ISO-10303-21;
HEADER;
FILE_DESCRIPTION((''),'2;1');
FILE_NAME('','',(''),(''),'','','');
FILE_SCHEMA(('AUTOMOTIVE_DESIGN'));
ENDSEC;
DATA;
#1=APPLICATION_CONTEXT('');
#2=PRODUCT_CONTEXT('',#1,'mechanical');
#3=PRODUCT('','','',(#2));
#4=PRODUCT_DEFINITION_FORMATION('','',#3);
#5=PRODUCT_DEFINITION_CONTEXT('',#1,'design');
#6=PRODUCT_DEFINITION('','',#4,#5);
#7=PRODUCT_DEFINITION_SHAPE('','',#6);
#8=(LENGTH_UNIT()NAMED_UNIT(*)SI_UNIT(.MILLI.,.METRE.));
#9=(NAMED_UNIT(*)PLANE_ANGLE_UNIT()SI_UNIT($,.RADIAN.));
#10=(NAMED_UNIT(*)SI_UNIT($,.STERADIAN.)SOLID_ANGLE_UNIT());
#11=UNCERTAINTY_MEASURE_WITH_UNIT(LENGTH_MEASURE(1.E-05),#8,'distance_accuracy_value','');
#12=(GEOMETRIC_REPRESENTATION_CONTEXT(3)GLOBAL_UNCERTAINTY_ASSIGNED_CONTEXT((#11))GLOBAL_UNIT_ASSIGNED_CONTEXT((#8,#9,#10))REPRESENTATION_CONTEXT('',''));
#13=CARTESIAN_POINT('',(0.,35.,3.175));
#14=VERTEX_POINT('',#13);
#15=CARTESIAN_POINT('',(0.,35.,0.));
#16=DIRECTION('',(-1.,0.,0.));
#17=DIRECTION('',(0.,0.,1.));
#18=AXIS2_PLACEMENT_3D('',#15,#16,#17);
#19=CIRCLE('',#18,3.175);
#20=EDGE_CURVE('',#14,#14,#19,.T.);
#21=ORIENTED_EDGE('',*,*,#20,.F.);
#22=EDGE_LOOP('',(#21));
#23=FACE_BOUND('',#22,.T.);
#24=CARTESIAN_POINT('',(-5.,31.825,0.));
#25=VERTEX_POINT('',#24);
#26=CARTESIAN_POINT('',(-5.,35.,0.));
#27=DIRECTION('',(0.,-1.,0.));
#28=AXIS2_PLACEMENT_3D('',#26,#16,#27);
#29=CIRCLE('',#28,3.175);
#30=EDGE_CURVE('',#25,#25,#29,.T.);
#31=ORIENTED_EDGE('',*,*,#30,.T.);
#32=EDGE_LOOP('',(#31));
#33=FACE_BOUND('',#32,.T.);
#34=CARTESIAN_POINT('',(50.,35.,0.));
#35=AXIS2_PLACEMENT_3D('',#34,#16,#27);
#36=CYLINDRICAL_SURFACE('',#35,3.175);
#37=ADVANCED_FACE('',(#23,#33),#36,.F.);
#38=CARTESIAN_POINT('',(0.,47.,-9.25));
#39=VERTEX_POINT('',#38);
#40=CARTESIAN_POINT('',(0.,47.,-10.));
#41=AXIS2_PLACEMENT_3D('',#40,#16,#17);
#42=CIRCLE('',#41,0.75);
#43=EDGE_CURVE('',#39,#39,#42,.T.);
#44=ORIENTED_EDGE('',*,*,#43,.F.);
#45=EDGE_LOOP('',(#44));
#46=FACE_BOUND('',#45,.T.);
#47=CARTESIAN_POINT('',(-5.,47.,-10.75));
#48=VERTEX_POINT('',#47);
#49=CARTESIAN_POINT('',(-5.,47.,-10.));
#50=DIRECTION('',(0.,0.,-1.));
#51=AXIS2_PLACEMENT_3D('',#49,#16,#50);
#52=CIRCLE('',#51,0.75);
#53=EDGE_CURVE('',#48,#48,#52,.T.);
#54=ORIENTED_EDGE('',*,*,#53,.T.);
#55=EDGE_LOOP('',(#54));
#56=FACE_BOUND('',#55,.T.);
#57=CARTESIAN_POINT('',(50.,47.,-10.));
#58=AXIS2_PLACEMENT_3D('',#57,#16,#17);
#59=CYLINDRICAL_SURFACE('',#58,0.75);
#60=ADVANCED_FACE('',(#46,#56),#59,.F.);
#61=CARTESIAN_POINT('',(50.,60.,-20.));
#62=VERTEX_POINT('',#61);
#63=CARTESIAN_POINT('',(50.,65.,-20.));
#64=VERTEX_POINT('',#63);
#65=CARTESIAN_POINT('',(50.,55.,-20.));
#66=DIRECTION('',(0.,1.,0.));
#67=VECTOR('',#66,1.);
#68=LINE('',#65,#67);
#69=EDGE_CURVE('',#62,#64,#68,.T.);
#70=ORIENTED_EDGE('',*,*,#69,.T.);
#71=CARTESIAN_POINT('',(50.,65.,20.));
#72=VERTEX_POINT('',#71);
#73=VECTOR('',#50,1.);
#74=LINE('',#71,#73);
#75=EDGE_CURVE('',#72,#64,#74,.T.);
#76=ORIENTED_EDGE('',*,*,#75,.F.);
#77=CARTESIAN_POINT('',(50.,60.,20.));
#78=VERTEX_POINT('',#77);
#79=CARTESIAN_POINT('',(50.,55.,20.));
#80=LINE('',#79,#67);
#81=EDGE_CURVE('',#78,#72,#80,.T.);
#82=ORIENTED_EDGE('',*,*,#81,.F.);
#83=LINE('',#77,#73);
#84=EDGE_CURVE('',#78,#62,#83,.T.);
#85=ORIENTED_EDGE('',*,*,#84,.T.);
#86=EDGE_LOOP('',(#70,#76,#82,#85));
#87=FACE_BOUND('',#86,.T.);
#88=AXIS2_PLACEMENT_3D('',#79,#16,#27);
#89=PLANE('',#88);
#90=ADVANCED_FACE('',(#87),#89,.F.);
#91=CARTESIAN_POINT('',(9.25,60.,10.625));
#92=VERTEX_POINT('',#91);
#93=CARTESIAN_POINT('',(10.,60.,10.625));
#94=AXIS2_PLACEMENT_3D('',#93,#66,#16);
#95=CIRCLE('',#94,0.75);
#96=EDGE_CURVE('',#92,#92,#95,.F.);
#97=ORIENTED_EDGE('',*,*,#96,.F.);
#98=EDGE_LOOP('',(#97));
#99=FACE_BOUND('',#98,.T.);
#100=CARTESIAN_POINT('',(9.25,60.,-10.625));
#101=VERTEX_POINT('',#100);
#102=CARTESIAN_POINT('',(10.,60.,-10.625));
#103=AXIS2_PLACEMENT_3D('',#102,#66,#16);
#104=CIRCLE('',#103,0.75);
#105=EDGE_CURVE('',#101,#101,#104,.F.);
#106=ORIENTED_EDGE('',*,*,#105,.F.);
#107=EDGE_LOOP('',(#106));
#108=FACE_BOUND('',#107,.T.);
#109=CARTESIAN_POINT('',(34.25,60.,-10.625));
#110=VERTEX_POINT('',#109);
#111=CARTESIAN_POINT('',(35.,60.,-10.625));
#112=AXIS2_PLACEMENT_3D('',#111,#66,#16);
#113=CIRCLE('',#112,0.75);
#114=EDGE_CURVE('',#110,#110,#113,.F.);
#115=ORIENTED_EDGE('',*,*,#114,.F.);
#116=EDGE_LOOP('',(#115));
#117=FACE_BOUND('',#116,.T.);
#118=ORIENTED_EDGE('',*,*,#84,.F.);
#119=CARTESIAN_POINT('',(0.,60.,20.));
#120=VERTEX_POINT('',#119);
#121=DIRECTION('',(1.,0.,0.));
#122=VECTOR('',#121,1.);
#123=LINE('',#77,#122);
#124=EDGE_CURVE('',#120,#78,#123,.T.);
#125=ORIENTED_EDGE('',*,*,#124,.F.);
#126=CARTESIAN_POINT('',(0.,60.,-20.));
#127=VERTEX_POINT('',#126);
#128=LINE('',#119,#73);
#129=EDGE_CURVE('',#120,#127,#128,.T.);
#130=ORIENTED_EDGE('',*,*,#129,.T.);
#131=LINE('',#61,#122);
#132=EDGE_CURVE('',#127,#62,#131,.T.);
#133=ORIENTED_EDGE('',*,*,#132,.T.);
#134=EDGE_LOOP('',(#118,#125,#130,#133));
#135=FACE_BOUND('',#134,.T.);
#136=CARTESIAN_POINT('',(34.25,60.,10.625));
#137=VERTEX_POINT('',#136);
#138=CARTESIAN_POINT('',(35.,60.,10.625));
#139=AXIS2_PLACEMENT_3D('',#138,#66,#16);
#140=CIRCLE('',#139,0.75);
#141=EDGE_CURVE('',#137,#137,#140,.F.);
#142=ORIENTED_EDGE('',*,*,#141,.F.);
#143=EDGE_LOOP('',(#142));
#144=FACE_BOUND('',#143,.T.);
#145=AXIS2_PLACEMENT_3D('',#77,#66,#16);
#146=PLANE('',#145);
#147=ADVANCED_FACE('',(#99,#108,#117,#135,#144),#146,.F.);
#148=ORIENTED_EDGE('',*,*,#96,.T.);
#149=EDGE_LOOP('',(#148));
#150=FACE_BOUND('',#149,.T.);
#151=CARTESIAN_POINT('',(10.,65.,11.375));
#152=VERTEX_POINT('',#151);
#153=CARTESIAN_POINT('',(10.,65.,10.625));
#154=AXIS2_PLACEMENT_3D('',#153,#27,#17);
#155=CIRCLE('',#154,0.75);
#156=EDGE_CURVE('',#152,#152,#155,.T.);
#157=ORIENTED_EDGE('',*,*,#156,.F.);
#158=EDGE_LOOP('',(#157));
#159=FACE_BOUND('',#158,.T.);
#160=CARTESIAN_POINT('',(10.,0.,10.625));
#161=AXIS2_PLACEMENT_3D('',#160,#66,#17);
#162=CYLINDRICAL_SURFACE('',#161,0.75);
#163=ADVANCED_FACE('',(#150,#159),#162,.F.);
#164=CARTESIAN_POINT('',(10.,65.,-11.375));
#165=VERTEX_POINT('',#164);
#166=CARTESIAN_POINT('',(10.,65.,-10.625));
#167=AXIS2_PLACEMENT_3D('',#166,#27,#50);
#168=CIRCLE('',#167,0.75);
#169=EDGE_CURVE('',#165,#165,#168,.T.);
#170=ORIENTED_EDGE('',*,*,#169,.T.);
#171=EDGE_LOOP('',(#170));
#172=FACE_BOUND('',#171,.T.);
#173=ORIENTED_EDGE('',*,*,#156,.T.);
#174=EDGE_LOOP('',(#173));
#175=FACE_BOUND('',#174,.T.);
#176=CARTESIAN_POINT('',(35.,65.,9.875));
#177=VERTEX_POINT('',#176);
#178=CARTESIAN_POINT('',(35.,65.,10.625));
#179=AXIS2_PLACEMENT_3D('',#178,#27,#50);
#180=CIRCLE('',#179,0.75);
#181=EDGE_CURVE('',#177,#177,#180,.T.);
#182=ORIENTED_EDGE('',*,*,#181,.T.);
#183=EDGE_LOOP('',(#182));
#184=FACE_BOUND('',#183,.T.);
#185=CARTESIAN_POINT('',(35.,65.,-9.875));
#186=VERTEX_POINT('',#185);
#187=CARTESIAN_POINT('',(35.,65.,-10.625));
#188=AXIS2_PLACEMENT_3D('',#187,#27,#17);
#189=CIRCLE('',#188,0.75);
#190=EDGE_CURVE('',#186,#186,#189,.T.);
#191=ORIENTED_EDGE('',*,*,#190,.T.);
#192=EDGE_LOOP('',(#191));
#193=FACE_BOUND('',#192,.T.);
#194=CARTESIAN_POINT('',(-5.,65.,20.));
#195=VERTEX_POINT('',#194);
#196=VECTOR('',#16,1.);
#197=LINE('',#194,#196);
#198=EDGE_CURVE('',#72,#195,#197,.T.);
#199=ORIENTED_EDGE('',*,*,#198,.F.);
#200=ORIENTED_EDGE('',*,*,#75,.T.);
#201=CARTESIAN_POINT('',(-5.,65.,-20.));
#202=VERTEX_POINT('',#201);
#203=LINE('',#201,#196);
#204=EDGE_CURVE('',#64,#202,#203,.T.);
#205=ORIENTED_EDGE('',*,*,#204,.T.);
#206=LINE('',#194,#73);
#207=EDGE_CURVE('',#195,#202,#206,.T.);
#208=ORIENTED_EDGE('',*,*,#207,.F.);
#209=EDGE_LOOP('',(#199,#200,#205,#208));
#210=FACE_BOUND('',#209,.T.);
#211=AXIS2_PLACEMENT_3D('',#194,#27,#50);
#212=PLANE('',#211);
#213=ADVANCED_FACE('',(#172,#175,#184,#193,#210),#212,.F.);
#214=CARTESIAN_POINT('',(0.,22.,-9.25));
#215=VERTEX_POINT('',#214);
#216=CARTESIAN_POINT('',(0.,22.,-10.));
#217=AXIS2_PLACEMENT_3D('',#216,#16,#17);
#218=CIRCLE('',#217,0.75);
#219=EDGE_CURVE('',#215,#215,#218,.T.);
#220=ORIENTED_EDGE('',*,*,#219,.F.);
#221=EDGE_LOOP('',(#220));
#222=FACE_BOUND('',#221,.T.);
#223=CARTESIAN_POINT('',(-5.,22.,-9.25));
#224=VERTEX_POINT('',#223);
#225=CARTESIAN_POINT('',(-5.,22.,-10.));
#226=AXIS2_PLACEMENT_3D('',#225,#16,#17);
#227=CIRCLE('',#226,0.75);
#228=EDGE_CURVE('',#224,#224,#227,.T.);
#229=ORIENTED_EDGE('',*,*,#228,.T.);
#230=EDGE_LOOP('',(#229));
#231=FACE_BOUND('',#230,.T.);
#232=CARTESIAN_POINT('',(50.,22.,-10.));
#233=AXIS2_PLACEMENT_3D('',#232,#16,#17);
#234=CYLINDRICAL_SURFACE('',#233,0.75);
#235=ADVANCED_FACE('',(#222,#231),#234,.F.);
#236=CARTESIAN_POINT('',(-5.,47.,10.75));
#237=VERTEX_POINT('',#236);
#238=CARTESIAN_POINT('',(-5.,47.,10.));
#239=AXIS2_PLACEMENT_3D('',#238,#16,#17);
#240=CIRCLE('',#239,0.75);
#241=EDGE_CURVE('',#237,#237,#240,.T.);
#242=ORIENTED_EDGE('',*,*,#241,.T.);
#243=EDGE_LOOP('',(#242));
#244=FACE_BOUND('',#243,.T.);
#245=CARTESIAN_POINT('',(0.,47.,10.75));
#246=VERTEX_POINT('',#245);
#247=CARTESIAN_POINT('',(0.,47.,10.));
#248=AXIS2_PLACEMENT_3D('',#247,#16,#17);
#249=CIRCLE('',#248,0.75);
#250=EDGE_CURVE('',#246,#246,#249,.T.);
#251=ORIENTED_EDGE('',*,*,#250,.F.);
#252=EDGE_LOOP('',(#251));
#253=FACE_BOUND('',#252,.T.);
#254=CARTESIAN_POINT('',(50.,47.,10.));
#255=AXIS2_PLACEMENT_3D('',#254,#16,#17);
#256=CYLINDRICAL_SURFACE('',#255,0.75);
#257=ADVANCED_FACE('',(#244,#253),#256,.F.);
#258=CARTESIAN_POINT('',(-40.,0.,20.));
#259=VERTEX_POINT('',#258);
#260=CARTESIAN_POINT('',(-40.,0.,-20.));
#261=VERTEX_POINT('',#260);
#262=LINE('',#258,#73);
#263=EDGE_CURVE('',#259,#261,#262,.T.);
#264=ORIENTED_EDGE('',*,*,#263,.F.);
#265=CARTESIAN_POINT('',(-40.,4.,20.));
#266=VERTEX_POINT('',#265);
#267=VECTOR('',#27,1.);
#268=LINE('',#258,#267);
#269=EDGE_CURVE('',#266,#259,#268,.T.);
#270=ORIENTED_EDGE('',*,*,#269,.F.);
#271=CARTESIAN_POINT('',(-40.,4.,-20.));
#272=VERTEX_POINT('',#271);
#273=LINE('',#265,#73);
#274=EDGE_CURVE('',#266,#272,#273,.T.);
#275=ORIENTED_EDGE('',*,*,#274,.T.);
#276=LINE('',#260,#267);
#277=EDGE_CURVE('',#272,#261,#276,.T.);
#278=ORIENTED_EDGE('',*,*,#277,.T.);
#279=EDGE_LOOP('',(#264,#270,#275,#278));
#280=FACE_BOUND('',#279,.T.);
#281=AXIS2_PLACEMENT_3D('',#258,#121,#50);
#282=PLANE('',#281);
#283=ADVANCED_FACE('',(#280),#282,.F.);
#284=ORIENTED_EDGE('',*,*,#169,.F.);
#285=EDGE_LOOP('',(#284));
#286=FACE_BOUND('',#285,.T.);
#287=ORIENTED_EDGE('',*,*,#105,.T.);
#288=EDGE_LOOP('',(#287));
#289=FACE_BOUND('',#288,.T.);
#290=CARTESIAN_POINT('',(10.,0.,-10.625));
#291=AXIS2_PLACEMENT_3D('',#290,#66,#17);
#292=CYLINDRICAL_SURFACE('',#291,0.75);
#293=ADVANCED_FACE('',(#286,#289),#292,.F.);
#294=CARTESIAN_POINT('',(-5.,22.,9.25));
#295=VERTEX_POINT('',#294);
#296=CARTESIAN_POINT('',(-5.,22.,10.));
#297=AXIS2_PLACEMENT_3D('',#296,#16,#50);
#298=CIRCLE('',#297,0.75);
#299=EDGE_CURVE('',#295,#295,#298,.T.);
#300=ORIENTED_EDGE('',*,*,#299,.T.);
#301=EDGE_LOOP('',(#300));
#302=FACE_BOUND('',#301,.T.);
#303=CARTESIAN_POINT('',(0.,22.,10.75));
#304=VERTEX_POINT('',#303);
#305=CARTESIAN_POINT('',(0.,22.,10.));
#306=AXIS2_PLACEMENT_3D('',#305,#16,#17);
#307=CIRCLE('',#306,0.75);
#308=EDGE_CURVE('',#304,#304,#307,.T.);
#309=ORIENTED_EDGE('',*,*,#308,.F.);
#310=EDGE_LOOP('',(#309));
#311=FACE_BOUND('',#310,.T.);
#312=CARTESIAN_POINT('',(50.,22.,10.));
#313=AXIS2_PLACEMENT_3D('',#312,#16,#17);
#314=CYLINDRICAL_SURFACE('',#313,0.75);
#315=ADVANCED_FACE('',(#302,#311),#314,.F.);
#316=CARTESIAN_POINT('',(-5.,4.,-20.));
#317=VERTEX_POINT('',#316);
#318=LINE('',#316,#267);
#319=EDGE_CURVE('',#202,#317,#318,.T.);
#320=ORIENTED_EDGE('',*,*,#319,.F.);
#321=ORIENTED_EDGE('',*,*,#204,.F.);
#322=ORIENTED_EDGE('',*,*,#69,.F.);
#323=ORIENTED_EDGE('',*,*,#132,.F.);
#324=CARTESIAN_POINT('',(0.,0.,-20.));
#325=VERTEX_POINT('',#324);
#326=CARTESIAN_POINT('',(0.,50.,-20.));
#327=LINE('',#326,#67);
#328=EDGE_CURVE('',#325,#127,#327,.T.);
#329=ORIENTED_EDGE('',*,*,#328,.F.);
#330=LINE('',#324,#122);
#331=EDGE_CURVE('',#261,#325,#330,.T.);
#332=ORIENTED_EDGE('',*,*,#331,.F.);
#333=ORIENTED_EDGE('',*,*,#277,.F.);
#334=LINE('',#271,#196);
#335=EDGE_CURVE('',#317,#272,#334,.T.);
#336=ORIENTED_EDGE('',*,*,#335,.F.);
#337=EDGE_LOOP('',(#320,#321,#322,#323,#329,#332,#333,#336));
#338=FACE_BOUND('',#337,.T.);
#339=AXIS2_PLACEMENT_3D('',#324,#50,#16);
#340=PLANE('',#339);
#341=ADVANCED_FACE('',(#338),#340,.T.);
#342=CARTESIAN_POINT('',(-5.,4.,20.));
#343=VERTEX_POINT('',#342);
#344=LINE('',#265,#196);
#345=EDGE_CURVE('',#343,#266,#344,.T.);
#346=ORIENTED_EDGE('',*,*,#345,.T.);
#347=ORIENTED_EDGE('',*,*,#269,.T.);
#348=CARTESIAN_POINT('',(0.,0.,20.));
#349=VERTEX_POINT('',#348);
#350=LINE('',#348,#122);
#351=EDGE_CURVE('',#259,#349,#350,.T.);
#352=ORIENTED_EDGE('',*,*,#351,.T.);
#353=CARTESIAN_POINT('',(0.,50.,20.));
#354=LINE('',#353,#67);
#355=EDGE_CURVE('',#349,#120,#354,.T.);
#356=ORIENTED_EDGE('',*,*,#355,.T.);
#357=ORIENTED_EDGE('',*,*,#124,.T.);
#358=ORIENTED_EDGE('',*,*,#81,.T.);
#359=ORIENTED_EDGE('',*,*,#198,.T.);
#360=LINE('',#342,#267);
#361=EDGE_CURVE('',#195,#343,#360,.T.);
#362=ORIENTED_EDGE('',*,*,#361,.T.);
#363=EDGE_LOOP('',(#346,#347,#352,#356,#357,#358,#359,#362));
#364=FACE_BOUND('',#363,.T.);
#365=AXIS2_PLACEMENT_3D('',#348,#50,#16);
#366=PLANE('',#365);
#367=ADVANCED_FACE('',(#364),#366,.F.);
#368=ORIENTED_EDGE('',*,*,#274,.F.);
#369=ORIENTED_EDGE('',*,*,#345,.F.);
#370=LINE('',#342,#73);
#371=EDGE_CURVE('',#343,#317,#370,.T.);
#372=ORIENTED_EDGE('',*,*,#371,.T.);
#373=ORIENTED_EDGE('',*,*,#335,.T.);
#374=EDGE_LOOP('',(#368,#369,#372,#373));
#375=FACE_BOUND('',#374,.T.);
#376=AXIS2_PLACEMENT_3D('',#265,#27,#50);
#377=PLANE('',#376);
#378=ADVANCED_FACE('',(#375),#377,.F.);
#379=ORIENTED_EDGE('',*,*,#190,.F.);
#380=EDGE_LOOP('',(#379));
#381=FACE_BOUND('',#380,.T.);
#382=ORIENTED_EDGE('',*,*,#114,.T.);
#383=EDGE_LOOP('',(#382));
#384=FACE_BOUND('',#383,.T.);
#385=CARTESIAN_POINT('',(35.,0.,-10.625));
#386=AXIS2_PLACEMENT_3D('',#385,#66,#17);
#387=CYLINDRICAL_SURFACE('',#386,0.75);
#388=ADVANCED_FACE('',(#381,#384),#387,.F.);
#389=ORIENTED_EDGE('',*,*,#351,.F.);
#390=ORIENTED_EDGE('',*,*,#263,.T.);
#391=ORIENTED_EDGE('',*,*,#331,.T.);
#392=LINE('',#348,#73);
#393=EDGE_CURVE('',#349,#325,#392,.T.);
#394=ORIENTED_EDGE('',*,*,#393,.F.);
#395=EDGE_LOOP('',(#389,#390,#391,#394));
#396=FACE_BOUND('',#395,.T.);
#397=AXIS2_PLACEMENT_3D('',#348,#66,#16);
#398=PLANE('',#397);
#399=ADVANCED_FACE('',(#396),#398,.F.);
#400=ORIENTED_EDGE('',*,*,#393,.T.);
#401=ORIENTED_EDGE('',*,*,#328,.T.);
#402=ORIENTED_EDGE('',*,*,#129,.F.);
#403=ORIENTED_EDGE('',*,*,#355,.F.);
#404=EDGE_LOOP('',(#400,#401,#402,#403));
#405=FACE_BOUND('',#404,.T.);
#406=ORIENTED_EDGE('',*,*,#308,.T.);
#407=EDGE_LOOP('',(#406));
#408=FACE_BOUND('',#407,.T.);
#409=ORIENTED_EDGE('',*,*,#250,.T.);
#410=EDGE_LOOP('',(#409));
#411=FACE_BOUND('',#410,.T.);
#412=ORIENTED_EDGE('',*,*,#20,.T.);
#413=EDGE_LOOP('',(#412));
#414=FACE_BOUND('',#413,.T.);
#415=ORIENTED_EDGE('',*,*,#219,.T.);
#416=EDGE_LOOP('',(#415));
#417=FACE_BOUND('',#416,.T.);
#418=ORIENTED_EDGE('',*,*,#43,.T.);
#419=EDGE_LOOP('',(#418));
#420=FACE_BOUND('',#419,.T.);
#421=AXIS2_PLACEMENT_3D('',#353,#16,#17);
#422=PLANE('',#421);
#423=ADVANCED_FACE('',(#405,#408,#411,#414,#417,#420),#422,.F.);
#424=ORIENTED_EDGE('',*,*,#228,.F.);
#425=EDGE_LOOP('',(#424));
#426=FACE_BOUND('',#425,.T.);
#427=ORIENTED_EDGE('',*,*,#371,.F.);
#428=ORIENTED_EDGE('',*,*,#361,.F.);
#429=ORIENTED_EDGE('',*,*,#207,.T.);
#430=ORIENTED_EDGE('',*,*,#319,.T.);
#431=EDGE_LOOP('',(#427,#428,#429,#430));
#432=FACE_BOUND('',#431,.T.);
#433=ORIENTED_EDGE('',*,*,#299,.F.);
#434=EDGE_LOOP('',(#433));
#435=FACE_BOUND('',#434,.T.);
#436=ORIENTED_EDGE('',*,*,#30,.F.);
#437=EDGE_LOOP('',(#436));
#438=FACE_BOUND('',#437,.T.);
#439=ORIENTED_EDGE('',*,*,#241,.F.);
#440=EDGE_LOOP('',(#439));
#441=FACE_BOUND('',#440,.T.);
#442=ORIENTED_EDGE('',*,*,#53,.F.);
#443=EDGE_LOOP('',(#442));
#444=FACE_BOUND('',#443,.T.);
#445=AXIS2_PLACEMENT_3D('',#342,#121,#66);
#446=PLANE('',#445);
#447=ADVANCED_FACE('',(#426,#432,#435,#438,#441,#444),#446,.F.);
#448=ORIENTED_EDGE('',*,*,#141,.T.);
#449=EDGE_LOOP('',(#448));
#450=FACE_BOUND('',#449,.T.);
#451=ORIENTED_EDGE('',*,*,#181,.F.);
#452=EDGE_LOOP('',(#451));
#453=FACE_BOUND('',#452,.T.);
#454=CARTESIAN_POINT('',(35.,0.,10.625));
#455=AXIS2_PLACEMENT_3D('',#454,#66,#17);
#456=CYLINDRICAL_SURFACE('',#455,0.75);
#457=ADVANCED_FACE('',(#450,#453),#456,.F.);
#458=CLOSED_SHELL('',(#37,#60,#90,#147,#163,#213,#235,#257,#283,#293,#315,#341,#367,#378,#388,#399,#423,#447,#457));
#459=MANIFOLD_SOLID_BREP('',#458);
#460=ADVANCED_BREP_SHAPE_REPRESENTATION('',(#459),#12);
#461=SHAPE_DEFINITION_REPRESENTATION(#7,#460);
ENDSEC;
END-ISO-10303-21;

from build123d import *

# Parameters (mm, degrees)
BOSS_EXTRUDE1_DEPTH = 20
MOVE_FACE1_BY       = 10
MOVE_FACE2_BY       = 10
SKETCH2_R           = 0.75
CUT_EXTRUDE1_DEPTH  = 88.464278423
SKETCH3_R           = 0.75
CUT_EXTRUDE2_DEPTH  = 108.819293264
SKETCH5_R           = 3.175
CUT_EXTRUDE3_DEPTH  = 88.464278423


with BuildPart() as part:
    # Sketch1 → Boss-Extrude1 (new, symmetric)
    with BuildSketch(Plane.XY):
        Polygon((0, 0), (-40, 0), (-40, 4), (-5, 4), (-5, 55), (50, 55), (50, 50), (0, 50), align=None)
    extrude(amount=BOSS_EXTRUDE1_DEPTH, both=True)

    # Move Face1: a face moved outward by 10.0
    extrude(part.faces().sort_by_distance((22.5, 55, 0))[0], amount=MOVE_FACE1_BY, dir=(0, 1, 0))

    # Move Face2: a face moved inward by 10.0
    extrude(part.faces().sort_by_distance((25, 50, 0))[0], amount=MOVE_FACE2_BY, dir=(0, 1, 0), mode=Mode.SUBTRACT)

    # Sketch2 → Cut-Extrude1 (cut, through all)
    with BuildSketch(Plane.ZY.offset(5)):
        with Locations((-10, 22)):
            Circle(SKETCH2_R)
        with Locations((10, 22)):
            Circle(SKETCH2_R)
        with Locations((10, 47)):
            Circle(SKETCH2_R)
        with Locations((-10, 47)):
            Circle(SKETCH2_R)
    extrude(amount=-CUT_EXTRUDE1_DEPTH, mode=Mode.SUBTRACT)

    # Sketch3 → Cut-Extrude2 (cut, through all)
    with BuildSketch(Plane(origin=(0, 65, -50), x_dir=(1, 0, 0), z_dir=(0, -1, 0))):
        with Locations(Location((10, 39.375, 0), (0, 0, 180))):
            Circle(SKETCH3_R)
        with Locations(Location((35, 39.375, 0), (0, 0, 90))):
            Circle(SKETCH3_R)
        with Locations(Location((35, 60.625, 0), (0, 0, 180))):
            Circle(SKETCH3_R)
        with Locations(Location((10, 60.625, 0), (0, 0, 90))):
            Circle(SKETCH3_R)
    extrude(amount=CUT_EXTRUDE2_DEPTH, mode=Mode.SUBTRACT)

    # Sketch5 → Cut-Extrude3 (cut, through all)
    with BuildSketch(Plane.ZY.offset(5)):
        with Locations(Location((0, 35, 0), (0, 0, 270))):
            Circle(SKETCH5_R)
    extrude(amount=-CUT_EXTRUDE3_DEPTH, mode=Mode.SUBTRACT)


solid = part.part
